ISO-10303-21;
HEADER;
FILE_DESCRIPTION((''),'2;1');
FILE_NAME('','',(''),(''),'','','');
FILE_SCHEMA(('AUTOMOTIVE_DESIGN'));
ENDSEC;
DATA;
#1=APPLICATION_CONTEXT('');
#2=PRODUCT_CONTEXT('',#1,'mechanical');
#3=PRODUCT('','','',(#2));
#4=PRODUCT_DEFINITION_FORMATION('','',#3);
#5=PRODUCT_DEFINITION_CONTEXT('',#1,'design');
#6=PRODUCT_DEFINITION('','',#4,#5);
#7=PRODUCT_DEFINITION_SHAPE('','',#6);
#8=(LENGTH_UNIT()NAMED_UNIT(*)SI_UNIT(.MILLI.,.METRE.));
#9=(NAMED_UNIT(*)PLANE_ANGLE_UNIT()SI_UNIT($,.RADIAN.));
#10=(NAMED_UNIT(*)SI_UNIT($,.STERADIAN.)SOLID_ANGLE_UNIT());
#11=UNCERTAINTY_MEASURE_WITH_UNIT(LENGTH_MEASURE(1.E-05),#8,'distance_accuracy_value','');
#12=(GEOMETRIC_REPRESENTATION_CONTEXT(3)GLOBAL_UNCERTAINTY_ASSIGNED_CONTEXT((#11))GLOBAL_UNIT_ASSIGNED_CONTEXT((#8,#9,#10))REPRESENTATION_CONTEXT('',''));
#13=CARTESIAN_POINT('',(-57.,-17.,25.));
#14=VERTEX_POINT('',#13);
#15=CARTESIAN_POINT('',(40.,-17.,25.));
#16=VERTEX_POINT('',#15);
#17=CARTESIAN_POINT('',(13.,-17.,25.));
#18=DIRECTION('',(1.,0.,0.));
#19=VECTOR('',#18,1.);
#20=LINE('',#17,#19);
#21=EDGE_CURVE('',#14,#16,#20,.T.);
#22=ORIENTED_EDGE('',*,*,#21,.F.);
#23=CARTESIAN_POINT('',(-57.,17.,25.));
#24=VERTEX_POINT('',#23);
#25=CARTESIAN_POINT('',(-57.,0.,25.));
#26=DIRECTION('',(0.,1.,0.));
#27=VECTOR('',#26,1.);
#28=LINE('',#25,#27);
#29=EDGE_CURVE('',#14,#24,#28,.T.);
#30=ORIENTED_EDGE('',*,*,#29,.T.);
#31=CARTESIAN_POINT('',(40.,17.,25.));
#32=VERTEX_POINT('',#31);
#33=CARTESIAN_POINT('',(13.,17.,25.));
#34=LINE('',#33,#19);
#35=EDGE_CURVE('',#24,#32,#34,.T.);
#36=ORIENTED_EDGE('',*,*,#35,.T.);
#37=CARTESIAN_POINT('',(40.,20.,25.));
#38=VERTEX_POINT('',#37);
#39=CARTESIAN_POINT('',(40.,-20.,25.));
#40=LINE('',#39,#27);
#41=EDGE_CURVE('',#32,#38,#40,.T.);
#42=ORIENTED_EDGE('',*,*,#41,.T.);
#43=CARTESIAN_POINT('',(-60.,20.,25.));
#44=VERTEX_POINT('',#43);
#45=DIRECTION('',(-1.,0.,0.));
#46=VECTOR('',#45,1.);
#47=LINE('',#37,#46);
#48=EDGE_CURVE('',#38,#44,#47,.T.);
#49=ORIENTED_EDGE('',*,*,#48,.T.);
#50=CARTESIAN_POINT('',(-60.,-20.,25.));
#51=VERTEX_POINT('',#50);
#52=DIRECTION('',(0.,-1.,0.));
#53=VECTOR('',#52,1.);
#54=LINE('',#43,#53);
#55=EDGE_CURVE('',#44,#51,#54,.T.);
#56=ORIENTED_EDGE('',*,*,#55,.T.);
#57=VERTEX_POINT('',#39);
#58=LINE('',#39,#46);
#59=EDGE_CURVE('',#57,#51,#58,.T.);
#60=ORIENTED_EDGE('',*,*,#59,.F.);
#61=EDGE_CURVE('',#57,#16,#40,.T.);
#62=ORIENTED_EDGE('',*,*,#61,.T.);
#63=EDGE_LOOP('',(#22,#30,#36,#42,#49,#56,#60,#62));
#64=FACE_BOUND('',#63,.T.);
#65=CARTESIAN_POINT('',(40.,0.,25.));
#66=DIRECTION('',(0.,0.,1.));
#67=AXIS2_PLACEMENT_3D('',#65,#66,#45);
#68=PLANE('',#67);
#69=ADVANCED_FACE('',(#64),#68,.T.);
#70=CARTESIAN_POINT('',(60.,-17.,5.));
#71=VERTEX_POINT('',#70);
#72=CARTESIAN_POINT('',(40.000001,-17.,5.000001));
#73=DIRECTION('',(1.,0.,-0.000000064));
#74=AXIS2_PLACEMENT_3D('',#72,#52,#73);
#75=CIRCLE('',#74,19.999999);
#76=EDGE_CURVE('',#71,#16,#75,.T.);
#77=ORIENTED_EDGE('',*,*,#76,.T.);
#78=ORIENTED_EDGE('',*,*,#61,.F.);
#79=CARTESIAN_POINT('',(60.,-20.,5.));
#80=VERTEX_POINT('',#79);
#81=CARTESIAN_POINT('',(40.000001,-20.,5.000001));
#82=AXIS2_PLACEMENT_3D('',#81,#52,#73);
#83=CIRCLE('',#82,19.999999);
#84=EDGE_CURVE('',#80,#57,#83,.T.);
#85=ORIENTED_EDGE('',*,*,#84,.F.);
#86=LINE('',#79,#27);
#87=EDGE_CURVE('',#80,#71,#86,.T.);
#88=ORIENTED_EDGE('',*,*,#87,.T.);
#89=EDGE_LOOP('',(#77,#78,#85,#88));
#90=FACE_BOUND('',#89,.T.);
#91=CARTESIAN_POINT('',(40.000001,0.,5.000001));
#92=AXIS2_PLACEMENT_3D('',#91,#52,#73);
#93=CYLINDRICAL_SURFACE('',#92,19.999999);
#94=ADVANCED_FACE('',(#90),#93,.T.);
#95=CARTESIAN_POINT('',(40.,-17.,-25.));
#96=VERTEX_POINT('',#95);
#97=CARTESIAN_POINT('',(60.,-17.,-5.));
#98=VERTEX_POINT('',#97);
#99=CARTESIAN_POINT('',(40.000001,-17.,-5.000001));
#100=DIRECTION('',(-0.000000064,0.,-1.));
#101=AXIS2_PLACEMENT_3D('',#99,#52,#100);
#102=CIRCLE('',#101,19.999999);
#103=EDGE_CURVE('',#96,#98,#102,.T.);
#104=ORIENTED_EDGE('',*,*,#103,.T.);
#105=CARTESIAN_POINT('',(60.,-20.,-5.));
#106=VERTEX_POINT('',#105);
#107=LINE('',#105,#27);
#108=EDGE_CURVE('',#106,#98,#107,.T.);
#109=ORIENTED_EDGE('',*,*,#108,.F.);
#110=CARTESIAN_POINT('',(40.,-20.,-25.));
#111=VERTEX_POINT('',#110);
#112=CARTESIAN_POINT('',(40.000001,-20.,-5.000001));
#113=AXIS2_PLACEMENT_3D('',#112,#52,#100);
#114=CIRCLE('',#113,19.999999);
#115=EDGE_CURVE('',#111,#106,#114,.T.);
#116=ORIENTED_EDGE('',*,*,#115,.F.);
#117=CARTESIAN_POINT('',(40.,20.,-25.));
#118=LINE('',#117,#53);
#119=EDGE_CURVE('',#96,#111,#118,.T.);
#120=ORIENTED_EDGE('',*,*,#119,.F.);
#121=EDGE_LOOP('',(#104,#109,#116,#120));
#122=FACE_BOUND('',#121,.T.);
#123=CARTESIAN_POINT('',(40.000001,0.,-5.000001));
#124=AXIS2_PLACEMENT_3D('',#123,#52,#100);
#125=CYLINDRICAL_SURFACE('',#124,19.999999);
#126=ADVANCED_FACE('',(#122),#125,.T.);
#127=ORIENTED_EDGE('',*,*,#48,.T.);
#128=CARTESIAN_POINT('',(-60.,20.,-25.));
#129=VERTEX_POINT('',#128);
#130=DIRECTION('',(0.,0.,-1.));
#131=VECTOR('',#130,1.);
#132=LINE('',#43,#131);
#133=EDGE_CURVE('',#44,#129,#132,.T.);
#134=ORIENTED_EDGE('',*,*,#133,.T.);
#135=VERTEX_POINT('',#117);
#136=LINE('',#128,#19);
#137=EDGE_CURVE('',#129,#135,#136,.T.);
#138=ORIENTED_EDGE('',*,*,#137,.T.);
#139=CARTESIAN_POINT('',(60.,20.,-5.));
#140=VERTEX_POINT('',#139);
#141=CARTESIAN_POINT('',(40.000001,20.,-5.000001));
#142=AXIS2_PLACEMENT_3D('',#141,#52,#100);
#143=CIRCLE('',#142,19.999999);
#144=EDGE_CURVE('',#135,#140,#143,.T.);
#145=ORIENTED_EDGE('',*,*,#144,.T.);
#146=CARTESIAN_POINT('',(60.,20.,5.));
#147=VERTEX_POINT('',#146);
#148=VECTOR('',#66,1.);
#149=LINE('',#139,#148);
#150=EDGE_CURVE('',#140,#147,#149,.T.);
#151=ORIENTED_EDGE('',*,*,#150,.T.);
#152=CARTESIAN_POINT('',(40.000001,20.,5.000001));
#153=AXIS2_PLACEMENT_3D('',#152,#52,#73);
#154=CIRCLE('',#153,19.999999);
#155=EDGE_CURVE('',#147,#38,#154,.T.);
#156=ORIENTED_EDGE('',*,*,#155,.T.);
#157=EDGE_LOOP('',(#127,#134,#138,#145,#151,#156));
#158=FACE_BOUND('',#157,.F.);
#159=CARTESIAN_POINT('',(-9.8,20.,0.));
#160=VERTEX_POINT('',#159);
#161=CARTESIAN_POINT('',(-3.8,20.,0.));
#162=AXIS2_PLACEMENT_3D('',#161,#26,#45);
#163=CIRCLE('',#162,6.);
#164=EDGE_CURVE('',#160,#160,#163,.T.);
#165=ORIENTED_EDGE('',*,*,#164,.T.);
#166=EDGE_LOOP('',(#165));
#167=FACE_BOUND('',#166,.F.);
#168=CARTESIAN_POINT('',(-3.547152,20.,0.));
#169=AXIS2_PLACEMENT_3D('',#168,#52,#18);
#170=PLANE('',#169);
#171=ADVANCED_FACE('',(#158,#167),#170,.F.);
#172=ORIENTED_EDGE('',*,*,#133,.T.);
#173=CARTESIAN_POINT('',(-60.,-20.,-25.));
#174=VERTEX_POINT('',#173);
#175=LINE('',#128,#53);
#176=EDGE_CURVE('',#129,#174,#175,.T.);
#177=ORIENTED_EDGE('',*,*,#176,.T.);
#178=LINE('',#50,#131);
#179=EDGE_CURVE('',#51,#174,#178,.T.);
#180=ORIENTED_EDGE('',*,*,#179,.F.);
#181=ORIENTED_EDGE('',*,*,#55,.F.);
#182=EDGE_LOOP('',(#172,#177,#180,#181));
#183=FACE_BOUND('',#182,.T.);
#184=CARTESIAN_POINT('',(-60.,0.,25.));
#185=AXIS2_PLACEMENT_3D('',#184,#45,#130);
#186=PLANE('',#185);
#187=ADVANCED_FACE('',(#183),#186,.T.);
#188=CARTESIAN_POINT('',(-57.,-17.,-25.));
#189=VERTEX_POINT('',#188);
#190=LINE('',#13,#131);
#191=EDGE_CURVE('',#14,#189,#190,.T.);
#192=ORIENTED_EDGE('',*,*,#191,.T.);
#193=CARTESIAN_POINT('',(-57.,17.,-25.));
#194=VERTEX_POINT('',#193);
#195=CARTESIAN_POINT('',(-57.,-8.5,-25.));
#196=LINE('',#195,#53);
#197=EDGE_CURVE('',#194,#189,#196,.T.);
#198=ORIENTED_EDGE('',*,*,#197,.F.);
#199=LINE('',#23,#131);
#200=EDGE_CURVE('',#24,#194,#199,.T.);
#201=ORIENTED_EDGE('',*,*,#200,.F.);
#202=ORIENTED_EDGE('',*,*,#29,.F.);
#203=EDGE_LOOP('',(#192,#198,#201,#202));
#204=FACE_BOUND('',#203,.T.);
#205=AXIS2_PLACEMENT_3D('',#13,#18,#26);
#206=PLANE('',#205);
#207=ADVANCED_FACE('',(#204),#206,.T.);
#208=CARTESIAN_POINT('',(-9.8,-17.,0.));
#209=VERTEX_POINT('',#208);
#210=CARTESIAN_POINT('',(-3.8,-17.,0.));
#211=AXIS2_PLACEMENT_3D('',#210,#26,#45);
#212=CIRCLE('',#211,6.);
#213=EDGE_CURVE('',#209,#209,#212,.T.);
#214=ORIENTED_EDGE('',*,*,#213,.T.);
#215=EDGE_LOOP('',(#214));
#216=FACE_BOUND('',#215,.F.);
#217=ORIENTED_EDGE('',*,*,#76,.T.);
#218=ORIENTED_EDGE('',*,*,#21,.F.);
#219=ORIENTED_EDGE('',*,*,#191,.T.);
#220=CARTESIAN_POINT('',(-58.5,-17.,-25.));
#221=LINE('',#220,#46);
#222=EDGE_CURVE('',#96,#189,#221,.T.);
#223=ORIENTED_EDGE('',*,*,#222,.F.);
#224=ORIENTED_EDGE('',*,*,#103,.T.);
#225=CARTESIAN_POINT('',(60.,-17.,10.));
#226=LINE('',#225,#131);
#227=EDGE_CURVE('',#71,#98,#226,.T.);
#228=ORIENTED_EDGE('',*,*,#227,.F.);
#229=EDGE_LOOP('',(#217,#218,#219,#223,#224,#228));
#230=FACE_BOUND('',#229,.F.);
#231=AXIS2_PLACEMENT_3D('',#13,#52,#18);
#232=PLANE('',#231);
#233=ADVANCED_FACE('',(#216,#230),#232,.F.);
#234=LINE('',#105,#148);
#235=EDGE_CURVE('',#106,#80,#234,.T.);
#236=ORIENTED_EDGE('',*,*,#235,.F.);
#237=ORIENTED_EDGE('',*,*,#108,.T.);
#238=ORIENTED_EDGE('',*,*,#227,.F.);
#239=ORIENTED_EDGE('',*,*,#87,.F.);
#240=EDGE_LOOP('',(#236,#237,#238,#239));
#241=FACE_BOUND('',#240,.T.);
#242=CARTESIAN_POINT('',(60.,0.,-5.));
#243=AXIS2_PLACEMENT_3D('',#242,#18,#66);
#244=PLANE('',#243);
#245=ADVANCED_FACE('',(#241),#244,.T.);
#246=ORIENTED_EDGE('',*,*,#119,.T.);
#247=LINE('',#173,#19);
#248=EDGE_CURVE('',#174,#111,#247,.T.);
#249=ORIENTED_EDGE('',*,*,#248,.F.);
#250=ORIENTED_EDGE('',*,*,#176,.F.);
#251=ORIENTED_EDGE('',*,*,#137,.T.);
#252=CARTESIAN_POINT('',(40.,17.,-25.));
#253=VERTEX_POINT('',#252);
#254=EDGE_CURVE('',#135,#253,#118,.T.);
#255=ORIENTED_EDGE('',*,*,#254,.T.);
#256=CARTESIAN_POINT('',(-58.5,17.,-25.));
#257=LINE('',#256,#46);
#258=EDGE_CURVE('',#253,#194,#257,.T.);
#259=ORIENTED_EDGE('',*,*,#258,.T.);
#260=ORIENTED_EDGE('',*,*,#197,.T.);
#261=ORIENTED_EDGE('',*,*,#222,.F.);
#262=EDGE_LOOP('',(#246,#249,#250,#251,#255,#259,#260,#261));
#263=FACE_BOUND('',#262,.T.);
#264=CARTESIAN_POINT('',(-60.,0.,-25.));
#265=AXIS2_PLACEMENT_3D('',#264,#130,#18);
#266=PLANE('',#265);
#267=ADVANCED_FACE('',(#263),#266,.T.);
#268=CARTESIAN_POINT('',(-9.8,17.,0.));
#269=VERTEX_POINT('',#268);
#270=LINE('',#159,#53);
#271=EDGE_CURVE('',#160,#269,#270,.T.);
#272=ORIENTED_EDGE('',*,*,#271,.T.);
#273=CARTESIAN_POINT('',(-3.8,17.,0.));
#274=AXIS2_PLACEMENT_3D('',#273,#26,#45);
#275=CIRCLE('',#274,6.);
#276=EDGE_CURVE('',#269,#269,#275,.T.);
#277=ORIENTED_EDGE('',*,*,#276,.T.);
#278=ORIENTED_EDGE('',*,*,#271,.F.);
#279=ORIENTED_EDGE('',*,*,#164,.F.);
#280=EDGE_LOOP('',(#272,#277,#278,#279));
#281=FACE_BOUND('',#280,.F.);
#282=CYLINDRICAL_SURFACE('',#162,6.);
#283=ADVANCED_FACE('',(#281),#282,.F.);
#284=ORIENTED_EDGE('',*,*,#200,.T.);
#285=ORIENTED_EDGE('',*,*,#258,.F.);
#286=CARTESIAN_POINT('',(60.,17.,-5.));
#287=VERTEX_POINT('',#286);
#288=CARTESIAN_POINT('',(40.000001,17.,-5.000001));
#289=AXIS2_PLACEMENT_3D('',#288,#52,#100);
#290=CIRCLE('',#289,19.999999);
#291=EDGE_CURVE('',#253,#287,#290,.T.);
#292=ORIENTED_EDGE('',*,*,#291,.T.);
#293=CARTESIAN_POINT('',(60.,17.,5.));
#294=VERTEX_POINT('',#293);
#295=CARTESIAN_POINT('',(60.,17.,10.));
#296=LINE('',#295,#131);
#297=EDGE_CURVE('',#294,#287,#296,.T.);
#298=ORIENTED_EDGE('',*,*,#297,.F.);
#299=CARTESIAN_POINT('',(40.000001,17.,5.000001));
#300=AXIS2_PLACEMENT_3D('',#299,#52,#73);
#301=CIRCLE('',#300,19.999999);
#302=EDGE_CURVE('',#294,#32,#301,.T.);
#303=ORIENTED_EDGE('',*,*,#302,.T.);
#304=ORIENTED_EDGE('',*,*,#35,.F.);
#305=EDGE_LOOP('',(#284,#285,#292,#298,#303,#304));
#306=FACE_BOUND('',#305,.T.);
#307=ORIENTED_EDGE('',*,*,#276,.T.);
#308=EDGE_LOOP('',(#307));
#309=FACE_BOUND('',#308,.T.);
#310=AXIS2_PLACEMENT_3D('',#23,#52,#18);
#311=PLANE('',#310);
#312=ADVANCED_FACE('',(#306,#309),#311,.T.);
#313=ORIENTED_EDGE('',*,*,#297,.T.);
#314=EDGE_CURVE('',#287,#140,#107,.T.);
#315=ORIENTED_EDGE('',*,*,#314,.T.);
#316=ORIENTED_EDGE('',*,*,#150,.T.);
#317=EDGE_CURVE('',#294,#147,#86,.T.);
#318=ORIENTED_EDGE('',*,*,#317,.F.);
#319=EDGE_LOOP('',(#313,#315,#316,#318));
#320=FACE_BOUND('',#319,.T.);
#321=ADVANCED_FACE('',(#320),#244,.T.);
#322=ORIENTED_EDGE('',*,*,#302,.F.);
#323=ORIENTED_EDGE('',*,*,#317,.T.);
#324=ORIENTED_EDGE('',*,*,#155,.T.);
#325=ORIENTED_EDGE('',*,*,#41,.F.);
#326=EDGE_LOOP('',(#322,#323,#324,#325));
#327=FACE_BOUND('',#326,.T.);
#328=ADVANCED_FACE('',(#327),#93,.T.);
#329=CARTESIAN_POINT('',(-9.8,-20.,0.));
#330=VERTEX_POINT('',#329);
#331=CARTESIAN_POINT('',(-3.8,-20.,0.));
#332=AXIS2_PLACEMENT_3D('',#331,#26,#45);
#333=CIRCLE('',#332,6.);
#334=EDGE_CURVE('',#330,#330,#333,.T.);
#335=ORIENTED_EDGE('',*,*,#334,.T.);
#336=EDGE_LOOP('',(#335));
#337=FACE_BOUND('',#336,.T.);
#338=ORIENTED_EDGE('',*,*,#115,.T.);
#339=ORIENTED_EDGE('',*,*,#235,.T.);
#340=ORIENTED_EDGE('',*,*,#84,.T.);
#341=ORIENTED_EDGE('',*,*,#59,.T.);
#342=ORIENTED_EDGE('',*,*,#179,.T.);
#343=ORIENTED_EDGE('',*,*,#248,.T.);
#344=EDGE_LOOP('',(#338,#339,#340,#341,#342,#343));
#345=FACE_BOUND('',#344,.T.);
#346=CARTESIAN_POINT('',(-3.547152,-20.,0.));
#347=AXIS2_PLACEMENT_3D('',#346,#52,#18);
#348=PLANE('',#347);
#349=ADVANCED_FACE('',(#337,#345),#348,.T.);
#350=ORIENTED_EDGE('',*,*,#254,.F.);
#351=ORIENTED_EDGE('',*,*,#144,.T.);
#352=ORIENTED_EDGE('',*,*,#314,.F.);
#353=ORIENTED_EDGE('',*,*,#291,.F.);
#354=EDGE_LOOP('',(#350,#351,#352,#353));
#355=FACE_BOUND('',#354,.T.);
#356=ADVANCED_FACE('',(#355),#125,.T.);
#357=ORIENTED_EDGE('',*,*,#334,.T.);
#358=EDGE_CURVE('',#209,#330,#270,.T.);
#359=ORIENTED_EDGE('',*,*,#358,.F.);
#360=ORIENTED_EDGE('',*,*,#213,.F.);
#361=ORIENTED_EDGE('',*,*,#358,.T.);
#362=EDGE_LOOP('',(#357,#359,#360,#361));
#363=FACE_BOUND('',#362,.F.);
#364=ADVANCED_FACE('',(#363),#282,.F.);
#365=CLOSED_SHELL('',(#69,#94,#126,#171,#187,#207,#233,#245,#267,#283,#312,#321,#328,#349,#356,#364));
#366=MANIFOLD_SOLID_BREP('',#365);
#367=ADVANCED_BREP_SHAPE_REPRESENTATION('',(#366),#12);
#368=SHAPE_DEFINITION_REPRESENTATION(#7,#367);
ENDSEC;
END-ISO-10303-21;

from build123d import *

# Parameters (mm, degrees)
F1_DEPTH = 20
F2_W     = 140
F2_H     = 34
F3_DEPTH = 60
F4_R     = 6
F5_DEPTH = 50


with BuildPart() as f1:
    # F0 (on Front) → F1 (new body, symmetric)
    with BuildSketch(Plane.XZ):
        with BuildLine():
            Line((40, 25), (-60, 25))
            Line((-60, 25), (-60, -25))
            Line((-60, -25), (40, -25))
            ThreePointArc((40, -25), (54.142136, -19.142136), (60, -5))
            Line((60, -5), (60, 5))
            ThreePointArc((60, 5), (54.142136, 19.142136), (40, 25))
        make_face()
    extrude(amount=F1_DEPTH, both=True)

    # F2 (on face) → F3 (cut)
    with BuildSketch(Plane.XY.offset(25)):
        with Locations((13, 0)):
            Rectangle(F2_W, F2_H)
    extrude(amount=-F3_DEPTH, mode=Mode.SUBTRACT)

    # F4 (on face) → F5 (cut)
    with BuildSketch(Plane(origin=(0, 20, 0), x_dir=(-1, 0, 0), z_dir=(0, 1, 0))):
        with Locations((3.8, 0)):
            Circle(F4_R)
    extrude(amount=-F5_DEPTH, mode=Mode.SUBTRACT)


solid = f1.part
